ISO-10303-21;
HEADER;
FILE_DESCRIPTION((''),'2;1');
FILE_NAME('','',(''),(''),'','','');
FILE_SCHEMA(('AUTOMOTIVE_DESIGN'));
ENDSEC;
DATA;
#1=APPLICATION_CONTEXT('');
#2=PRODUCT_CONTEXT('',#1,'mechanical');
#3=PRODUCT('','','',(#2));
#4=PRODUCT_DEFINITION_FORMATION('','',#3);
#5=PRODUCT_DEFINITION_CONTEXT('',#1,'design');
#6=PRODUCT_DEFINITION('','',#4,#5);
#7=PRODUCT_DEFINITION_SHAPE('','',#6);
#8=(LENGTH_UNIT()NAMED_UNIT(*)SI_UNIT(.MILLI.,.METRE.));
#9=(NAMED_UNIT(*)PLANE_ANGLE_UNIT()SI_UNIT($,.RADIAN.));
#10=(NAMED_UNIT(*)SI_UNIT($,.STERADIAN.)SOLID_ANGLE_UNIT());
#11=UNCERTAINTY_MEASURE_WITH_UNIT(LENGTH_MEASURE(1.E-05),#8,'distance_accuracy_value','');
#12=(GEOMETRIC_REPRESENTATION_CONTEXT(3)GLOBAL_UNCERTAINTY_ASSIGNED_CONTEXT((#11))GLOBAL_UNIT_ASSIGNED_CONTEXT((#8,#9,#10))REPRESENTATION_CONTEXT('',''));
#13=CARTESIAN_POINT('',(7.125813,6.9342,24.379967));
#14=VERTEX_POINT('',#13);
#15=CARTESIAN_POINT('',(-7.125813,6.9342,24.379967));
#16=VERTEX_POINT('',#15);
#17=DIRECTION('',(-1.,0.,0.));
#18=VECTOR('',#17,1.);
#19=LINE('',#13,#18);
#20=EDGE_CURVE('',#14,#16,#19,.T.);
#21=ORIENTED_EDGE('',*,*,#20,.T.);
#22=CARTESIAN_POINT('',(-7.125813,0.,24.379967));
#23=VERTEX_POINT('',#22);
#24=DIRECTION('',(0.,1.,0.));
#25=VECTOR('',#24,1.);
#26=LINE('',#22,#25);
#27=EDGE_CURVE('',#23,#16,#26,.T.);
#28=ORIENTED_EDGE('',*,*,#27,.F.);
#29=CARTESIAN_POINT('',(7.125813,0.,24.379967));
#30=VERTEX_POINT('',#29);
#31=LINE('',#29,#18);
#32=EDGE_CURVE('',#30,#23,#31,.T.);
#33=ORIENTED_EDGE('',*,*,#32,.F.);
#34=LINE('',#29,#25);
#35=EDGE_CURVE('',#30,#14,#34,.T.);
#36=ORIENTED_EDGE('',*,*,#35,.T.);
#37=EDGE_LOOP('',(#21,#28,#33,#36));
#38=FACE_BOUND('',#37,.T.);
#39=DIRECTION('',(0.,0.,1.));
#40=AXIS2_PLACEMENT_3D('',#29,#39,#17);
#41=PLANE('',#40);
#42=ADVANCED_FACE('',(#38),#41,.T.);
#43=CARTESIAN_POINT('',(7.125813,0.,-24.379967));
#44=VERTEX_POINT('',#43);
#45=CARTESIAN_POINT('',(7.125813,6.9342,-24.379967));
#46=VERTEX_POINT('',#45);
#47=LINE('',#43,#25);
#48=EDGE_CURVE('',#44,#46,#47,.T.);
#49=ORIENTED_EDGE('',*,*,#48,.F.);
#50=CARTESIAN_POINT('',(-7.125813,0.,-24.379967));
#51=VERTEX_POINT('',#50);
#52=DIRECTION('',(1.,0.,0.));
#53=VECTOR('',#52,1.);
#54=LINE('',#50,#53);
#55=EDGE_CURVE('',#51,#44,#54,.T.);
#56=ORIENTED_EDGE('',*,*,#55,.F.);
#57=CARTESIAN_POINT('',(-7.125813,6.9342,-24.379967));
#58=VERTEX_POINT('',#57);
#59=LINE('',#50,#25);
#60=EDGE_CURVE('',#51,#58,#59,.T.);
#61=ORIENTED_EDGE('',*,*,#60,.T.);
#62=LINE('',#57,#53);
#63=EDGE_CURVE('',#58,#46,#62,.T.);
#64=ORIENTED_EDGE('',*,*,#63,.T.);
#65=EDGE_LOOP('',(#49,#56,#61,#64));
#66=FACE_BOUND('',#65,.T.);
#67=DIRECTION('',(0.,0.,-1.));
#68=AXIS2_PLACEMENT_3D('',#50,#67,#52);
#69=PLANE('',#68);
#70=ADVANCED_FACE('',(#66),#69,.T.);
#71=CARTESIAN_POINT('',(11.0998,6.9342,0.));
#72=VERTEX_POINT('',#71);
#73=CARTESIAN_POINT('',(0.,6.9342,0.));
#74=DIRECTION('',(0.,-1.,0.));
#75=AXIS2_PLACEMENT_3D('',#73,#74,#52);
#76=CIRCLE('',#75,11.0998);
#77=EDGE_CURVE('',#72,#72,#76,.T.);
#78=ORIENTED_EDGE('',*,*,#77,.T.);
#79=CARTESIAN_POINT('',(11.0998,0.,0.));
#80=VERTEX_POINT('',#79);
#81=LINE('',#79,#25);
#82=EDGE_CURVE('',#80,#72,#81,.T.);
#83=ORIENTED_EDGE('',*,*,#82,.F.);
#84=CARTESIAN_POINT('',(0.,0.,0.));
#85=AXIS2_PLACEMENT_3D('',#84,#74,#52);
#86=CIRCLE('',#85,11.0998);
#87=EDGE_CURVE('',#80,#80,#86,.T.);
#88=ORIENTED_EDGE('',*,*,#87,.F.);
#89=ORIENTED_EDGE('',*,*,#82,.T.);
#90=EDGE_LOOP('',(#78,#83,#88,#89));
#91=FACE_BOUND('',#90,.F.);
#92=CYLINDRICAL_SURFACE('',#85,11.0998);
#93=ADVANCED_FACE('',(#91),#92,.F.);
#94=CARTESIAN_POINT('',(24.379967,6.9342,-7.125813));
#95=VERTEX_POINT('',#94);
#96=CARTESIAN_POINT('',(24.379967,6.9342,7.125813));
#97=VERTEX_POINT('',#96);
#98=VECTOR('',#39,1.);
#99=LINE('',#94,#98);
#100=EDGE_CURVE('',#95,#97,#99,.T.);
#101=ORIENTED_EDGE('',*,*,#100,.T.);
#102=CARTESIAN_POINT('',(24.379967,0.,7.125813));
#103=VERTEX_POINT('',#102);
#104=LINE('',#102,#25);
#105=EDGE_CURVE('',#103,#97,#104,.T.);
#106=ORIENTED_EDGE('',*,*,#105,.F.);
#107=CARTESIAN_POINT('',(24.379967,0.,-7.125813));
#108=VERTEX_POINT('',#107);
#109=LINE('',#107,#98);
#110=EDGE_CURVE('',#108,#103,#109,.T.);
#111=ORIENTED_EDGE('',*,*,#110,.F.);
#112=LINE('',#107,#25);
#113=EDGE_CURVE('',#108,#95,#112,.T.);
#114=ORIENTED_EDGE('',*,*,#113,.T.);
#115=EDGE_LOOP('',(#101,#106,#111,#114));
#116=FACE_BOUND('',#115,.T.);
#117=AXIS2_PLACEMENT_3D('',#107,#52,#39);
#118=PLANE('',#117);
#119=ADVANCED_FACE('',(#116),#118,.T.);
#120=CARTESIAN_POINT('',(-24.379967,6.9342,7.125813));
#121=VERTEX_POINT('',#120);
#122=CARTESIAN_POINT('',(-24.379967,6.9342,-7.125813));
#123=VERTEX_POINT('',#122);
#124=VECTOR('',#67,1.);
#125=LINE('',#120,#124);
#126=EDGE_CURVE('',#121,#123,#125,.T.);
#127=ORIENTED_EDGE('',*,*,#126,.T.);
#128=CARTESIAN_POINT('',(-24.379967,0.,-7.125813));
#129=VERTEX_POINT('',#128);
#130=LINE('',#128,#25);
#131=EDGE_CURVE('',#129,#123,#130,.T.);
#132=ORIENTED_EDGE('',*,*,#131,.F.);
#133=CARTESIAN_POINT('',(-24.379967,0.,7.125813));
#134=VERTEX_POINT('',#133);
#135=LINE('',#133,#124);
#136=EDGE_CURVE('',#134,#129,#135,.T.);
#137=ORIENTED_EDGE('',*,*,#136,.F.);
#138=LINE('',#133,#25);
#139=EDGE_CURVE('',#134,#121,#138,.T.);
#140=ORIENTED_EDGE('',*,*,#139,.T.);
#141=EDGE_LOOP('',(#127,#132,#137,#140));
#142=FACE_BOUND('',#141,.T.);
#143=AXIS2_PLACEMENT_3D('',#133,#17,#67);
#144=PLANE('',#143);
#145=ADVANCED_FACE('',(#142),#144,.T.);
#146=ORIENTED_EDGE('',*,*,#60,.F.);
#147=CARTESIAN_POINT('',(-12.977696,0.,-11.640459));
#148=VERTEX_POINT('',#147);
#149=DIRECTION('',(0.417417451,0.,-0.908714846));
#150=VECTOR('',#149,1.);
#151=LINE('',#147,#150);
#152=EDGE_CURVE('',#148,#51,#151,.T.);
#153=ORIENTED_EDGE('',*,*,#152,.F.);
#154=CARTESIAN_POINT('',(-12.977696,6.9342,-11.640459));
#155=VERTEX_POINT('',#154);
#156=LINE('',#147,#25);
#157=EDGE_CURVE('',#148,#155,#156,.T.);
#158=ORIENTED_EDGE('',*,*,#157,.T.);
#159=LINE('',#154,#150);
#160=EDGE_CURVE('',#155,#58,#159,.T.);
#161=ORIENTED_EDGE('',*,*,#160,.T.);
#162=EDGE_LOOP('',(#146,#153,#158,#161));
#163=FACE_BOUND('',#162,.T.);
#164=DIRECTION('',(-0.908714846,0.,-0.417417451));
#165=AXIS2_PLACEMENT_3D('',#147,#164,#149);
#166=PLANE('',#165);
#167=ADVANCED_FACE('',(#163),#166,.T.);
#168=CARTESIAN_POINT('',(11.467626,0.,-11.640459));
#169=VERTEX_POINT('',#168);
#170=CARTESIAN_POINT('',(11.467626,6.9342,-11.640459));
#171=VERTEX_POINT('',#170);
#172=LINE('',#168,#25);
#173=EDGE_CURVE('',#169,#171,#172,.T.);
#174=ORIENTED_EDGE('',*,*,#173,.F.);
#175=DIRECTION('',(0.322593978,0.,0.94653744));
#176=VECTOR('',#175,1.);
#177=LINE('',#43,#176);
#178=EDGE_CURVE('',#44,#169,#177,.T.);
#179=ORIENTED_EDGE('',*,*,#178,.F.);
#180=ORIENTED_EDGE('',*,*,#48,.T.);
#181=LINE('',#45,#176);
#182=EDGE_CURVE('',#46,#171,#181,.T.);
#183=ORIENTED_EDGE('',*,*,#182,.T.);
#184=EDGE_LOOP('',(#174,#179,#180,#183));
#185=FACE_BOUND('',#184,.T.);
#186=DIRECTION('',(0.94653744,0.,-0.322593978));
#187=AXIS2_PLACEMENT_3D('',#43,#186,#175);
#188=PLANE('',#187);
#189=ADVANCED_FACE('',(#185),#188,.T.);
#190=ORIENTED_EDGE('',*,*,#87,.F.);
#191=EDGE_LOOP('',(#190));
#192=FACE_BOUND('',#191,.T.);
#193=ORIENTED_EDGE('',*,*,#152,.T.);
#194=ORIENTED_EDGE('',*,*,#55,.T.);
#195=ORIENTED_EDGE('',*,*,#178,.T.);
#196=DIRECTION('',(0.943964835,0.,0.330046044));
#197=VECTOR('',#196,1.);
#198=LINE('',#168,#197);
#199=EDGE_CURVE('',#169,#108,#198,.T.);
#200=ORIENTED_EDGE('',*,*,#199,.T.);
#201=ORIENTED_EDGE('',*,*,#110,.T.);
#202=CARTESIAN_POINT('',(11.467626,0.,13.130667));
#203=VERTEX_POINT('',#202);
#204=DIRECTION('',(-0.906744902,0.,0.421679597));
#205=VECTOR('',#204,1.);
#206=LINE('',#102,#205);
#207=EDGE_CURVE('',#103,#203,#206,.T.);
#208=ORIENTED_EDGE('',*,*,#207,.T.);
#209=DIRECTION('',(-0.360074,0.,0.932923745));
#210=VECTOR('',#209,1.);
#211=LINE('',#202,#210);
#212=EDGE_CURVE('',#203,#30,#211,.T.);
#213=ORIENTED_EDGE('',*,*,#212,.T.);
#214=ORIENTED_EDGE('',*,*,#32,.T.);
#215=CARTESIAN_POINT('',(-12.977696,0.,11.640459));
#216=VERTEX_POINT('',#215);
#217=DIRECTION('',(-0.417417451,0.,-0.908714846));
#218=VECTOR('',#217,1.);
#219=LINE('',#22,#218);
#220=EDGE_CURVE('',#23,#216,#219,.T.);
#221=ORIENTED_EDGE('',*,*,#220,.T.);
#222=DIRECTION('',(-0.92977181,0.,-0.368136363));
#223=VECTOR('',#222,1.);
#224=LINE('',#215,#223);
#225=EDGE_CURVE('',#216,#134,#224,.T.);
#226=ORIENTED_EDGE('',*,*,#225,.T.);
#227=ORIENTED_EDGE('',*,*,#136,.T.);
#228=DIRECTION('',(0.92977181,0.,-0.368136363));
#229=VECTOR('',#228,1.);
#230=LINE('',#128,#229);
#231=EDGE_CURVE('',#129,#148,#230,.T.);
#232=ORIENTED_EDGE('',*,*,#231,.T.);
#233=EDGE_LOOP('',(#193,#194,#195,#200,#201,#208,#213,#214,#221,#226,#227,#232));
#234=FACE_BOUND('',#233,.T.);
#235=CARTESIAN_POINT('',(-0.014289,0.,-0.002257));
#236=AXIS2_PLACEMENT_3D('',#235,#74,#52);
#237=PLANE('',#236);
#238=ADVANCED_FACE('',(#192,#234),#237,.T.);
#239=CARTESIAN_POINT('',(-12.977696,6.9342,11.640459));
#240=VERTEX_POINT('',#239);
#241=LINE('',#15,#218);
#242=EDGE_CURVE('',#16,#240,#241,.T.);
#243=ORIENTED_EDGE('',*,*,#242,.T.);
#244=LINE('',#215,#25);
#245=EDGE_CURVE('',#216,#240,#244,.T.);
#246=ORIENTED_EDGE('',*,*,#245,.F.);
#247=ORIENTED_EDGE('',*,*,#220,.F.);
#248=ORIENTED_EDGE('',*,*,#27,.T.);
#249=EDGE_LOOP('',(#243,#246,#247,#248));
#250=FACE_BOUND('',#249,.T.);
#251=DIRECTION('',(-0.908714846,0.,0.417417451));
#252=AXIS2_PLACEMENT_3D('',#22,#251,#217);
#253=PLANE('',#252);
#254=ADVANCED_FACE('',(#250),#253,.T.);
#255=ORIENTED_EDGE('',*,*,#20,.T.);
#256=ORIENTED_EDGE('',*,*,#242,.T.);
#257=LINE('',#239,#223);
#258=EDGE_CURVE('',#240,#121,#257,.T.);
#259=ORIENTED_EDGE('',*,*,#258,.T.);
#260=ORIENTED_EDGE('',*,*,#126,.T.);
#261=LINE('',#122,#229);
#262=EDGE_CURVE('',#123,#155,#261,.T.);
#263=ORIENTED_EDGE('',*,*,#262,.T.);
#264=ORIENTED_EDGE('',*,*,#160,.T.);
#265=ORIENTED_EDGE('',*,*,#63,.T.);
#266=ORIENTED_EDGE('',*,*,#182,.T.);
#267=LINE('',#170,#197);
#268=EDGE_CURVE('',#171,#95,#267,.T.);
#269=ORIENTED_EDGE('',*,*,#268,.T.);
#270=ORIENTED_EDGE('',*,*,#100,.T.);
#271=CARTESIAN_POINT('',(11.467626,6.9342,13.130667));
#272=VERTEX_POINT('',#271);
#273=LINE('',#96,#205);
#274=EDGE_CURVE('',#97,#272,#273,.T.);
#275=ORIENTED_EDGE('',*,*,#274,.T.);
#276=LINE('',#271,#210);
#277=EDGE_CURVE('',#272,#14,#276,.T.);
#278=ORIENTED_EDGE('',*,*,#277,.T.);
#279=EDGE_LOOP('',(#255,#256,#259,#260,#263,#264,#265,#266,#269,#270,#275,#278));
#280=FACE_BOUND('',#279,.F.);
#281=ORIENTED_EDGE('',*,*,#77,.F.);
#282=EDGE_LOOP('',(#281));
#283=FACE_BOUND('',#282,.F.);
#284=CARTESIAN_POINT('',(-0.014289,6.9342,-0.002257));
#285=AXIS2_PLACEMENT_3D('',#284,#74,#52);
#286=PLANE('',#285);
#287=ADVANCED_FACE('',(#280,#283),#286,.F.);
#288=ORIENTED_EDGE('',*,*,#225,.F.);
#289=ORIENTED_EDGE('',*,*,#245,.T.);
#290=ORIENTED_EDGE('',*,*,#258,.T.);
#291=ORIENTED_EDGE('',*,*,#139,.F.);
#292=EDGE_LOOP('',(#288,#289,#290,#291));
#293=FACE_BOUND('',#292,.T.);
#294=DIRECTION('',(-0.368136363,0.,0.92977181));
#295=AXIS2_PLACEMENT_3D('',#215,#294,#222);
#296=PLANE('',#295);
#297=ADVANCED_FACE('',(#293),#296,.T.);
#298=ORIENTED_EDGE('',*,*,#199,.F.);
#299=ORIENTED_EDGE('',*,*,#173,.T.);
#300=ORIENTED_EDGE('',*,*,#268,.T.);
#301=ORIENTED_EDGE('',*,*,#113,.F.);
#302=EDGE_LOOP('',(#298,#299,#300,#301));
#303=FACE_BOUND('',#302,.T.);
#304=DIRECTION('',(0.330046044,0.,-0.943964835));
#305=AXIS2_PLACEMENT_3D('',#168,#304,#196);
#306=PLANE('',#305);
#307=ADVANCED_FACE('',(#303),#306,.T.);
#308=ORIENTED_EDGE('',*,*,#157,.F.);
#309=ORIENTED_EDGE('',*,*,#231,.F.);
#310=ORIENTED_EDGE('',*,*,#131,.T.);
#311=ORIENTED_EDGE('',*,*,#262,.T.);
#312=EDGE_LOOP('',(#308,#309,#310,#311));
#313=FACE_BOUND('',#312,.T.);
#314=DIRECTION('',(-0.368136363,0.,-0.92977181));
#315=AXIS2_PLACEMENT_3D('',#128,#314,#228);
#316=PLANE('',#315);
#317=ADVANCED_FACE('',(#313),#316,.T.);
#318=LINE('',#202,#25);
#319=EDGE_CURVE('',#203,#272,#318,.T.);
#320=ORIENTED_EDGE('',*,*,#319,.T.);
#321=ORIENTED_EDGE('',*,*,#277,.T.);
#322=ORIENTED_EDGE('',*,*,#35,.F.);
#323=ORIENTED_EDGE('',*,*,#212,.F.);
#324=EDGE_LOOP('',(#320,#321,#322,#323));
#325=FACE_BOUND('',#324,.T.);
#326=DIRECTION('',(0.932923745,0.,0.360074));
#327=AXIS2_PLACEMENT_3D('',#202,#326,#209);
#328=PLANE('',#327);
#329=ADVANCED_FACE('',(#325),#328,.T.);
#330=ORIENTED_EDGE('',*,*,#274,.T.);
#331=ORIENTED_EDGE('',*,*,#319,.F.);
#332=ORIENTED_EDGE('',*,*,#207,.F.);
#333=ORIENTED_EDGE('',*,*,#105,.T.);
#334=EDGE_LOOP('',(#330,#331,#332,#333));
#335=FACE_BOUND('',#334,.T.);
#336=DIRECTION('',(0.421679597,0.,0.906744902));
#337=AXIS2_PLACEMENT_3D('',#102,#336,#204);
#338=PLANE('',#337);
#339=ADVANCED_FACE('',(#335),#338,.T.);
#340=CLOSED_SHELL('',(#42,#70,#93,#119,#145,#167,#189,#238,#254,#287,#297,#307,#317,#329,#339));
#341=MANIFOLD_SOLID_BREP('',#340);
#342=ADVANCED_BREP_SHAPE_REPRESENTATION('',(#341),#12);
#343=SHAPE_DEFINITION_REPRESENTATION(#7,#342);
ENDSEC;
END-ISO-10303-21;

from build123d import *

# Parameters (mm, degrees)
F0_R     = 11.0998
F1_DEPTH = 6.9342


with BuildPart() as f1:
    # F0 (on Front) → F1 (new body)
    with BuildSketch(Plane.XZ):
        Polygon((7.125813, 24.379967), (-7.125813, 24.379967), (-12.977696, 11.640459), (-24.379967, 7.125813), (-24.379967, -7.125813), (-12.977696, -11.640459), (-7.125813, -24.379967), (7.125813, -24.379967), (11.467626, -11.640459), (24.379967, -7.125813), (24.379967, 7.125813), (11.467626, 13.130667), align=None)
        Circle(F0_R, mode=Mode.SUBTRACT)
    extrude(amount=-F1_DEPTH)


solid = f1.part
